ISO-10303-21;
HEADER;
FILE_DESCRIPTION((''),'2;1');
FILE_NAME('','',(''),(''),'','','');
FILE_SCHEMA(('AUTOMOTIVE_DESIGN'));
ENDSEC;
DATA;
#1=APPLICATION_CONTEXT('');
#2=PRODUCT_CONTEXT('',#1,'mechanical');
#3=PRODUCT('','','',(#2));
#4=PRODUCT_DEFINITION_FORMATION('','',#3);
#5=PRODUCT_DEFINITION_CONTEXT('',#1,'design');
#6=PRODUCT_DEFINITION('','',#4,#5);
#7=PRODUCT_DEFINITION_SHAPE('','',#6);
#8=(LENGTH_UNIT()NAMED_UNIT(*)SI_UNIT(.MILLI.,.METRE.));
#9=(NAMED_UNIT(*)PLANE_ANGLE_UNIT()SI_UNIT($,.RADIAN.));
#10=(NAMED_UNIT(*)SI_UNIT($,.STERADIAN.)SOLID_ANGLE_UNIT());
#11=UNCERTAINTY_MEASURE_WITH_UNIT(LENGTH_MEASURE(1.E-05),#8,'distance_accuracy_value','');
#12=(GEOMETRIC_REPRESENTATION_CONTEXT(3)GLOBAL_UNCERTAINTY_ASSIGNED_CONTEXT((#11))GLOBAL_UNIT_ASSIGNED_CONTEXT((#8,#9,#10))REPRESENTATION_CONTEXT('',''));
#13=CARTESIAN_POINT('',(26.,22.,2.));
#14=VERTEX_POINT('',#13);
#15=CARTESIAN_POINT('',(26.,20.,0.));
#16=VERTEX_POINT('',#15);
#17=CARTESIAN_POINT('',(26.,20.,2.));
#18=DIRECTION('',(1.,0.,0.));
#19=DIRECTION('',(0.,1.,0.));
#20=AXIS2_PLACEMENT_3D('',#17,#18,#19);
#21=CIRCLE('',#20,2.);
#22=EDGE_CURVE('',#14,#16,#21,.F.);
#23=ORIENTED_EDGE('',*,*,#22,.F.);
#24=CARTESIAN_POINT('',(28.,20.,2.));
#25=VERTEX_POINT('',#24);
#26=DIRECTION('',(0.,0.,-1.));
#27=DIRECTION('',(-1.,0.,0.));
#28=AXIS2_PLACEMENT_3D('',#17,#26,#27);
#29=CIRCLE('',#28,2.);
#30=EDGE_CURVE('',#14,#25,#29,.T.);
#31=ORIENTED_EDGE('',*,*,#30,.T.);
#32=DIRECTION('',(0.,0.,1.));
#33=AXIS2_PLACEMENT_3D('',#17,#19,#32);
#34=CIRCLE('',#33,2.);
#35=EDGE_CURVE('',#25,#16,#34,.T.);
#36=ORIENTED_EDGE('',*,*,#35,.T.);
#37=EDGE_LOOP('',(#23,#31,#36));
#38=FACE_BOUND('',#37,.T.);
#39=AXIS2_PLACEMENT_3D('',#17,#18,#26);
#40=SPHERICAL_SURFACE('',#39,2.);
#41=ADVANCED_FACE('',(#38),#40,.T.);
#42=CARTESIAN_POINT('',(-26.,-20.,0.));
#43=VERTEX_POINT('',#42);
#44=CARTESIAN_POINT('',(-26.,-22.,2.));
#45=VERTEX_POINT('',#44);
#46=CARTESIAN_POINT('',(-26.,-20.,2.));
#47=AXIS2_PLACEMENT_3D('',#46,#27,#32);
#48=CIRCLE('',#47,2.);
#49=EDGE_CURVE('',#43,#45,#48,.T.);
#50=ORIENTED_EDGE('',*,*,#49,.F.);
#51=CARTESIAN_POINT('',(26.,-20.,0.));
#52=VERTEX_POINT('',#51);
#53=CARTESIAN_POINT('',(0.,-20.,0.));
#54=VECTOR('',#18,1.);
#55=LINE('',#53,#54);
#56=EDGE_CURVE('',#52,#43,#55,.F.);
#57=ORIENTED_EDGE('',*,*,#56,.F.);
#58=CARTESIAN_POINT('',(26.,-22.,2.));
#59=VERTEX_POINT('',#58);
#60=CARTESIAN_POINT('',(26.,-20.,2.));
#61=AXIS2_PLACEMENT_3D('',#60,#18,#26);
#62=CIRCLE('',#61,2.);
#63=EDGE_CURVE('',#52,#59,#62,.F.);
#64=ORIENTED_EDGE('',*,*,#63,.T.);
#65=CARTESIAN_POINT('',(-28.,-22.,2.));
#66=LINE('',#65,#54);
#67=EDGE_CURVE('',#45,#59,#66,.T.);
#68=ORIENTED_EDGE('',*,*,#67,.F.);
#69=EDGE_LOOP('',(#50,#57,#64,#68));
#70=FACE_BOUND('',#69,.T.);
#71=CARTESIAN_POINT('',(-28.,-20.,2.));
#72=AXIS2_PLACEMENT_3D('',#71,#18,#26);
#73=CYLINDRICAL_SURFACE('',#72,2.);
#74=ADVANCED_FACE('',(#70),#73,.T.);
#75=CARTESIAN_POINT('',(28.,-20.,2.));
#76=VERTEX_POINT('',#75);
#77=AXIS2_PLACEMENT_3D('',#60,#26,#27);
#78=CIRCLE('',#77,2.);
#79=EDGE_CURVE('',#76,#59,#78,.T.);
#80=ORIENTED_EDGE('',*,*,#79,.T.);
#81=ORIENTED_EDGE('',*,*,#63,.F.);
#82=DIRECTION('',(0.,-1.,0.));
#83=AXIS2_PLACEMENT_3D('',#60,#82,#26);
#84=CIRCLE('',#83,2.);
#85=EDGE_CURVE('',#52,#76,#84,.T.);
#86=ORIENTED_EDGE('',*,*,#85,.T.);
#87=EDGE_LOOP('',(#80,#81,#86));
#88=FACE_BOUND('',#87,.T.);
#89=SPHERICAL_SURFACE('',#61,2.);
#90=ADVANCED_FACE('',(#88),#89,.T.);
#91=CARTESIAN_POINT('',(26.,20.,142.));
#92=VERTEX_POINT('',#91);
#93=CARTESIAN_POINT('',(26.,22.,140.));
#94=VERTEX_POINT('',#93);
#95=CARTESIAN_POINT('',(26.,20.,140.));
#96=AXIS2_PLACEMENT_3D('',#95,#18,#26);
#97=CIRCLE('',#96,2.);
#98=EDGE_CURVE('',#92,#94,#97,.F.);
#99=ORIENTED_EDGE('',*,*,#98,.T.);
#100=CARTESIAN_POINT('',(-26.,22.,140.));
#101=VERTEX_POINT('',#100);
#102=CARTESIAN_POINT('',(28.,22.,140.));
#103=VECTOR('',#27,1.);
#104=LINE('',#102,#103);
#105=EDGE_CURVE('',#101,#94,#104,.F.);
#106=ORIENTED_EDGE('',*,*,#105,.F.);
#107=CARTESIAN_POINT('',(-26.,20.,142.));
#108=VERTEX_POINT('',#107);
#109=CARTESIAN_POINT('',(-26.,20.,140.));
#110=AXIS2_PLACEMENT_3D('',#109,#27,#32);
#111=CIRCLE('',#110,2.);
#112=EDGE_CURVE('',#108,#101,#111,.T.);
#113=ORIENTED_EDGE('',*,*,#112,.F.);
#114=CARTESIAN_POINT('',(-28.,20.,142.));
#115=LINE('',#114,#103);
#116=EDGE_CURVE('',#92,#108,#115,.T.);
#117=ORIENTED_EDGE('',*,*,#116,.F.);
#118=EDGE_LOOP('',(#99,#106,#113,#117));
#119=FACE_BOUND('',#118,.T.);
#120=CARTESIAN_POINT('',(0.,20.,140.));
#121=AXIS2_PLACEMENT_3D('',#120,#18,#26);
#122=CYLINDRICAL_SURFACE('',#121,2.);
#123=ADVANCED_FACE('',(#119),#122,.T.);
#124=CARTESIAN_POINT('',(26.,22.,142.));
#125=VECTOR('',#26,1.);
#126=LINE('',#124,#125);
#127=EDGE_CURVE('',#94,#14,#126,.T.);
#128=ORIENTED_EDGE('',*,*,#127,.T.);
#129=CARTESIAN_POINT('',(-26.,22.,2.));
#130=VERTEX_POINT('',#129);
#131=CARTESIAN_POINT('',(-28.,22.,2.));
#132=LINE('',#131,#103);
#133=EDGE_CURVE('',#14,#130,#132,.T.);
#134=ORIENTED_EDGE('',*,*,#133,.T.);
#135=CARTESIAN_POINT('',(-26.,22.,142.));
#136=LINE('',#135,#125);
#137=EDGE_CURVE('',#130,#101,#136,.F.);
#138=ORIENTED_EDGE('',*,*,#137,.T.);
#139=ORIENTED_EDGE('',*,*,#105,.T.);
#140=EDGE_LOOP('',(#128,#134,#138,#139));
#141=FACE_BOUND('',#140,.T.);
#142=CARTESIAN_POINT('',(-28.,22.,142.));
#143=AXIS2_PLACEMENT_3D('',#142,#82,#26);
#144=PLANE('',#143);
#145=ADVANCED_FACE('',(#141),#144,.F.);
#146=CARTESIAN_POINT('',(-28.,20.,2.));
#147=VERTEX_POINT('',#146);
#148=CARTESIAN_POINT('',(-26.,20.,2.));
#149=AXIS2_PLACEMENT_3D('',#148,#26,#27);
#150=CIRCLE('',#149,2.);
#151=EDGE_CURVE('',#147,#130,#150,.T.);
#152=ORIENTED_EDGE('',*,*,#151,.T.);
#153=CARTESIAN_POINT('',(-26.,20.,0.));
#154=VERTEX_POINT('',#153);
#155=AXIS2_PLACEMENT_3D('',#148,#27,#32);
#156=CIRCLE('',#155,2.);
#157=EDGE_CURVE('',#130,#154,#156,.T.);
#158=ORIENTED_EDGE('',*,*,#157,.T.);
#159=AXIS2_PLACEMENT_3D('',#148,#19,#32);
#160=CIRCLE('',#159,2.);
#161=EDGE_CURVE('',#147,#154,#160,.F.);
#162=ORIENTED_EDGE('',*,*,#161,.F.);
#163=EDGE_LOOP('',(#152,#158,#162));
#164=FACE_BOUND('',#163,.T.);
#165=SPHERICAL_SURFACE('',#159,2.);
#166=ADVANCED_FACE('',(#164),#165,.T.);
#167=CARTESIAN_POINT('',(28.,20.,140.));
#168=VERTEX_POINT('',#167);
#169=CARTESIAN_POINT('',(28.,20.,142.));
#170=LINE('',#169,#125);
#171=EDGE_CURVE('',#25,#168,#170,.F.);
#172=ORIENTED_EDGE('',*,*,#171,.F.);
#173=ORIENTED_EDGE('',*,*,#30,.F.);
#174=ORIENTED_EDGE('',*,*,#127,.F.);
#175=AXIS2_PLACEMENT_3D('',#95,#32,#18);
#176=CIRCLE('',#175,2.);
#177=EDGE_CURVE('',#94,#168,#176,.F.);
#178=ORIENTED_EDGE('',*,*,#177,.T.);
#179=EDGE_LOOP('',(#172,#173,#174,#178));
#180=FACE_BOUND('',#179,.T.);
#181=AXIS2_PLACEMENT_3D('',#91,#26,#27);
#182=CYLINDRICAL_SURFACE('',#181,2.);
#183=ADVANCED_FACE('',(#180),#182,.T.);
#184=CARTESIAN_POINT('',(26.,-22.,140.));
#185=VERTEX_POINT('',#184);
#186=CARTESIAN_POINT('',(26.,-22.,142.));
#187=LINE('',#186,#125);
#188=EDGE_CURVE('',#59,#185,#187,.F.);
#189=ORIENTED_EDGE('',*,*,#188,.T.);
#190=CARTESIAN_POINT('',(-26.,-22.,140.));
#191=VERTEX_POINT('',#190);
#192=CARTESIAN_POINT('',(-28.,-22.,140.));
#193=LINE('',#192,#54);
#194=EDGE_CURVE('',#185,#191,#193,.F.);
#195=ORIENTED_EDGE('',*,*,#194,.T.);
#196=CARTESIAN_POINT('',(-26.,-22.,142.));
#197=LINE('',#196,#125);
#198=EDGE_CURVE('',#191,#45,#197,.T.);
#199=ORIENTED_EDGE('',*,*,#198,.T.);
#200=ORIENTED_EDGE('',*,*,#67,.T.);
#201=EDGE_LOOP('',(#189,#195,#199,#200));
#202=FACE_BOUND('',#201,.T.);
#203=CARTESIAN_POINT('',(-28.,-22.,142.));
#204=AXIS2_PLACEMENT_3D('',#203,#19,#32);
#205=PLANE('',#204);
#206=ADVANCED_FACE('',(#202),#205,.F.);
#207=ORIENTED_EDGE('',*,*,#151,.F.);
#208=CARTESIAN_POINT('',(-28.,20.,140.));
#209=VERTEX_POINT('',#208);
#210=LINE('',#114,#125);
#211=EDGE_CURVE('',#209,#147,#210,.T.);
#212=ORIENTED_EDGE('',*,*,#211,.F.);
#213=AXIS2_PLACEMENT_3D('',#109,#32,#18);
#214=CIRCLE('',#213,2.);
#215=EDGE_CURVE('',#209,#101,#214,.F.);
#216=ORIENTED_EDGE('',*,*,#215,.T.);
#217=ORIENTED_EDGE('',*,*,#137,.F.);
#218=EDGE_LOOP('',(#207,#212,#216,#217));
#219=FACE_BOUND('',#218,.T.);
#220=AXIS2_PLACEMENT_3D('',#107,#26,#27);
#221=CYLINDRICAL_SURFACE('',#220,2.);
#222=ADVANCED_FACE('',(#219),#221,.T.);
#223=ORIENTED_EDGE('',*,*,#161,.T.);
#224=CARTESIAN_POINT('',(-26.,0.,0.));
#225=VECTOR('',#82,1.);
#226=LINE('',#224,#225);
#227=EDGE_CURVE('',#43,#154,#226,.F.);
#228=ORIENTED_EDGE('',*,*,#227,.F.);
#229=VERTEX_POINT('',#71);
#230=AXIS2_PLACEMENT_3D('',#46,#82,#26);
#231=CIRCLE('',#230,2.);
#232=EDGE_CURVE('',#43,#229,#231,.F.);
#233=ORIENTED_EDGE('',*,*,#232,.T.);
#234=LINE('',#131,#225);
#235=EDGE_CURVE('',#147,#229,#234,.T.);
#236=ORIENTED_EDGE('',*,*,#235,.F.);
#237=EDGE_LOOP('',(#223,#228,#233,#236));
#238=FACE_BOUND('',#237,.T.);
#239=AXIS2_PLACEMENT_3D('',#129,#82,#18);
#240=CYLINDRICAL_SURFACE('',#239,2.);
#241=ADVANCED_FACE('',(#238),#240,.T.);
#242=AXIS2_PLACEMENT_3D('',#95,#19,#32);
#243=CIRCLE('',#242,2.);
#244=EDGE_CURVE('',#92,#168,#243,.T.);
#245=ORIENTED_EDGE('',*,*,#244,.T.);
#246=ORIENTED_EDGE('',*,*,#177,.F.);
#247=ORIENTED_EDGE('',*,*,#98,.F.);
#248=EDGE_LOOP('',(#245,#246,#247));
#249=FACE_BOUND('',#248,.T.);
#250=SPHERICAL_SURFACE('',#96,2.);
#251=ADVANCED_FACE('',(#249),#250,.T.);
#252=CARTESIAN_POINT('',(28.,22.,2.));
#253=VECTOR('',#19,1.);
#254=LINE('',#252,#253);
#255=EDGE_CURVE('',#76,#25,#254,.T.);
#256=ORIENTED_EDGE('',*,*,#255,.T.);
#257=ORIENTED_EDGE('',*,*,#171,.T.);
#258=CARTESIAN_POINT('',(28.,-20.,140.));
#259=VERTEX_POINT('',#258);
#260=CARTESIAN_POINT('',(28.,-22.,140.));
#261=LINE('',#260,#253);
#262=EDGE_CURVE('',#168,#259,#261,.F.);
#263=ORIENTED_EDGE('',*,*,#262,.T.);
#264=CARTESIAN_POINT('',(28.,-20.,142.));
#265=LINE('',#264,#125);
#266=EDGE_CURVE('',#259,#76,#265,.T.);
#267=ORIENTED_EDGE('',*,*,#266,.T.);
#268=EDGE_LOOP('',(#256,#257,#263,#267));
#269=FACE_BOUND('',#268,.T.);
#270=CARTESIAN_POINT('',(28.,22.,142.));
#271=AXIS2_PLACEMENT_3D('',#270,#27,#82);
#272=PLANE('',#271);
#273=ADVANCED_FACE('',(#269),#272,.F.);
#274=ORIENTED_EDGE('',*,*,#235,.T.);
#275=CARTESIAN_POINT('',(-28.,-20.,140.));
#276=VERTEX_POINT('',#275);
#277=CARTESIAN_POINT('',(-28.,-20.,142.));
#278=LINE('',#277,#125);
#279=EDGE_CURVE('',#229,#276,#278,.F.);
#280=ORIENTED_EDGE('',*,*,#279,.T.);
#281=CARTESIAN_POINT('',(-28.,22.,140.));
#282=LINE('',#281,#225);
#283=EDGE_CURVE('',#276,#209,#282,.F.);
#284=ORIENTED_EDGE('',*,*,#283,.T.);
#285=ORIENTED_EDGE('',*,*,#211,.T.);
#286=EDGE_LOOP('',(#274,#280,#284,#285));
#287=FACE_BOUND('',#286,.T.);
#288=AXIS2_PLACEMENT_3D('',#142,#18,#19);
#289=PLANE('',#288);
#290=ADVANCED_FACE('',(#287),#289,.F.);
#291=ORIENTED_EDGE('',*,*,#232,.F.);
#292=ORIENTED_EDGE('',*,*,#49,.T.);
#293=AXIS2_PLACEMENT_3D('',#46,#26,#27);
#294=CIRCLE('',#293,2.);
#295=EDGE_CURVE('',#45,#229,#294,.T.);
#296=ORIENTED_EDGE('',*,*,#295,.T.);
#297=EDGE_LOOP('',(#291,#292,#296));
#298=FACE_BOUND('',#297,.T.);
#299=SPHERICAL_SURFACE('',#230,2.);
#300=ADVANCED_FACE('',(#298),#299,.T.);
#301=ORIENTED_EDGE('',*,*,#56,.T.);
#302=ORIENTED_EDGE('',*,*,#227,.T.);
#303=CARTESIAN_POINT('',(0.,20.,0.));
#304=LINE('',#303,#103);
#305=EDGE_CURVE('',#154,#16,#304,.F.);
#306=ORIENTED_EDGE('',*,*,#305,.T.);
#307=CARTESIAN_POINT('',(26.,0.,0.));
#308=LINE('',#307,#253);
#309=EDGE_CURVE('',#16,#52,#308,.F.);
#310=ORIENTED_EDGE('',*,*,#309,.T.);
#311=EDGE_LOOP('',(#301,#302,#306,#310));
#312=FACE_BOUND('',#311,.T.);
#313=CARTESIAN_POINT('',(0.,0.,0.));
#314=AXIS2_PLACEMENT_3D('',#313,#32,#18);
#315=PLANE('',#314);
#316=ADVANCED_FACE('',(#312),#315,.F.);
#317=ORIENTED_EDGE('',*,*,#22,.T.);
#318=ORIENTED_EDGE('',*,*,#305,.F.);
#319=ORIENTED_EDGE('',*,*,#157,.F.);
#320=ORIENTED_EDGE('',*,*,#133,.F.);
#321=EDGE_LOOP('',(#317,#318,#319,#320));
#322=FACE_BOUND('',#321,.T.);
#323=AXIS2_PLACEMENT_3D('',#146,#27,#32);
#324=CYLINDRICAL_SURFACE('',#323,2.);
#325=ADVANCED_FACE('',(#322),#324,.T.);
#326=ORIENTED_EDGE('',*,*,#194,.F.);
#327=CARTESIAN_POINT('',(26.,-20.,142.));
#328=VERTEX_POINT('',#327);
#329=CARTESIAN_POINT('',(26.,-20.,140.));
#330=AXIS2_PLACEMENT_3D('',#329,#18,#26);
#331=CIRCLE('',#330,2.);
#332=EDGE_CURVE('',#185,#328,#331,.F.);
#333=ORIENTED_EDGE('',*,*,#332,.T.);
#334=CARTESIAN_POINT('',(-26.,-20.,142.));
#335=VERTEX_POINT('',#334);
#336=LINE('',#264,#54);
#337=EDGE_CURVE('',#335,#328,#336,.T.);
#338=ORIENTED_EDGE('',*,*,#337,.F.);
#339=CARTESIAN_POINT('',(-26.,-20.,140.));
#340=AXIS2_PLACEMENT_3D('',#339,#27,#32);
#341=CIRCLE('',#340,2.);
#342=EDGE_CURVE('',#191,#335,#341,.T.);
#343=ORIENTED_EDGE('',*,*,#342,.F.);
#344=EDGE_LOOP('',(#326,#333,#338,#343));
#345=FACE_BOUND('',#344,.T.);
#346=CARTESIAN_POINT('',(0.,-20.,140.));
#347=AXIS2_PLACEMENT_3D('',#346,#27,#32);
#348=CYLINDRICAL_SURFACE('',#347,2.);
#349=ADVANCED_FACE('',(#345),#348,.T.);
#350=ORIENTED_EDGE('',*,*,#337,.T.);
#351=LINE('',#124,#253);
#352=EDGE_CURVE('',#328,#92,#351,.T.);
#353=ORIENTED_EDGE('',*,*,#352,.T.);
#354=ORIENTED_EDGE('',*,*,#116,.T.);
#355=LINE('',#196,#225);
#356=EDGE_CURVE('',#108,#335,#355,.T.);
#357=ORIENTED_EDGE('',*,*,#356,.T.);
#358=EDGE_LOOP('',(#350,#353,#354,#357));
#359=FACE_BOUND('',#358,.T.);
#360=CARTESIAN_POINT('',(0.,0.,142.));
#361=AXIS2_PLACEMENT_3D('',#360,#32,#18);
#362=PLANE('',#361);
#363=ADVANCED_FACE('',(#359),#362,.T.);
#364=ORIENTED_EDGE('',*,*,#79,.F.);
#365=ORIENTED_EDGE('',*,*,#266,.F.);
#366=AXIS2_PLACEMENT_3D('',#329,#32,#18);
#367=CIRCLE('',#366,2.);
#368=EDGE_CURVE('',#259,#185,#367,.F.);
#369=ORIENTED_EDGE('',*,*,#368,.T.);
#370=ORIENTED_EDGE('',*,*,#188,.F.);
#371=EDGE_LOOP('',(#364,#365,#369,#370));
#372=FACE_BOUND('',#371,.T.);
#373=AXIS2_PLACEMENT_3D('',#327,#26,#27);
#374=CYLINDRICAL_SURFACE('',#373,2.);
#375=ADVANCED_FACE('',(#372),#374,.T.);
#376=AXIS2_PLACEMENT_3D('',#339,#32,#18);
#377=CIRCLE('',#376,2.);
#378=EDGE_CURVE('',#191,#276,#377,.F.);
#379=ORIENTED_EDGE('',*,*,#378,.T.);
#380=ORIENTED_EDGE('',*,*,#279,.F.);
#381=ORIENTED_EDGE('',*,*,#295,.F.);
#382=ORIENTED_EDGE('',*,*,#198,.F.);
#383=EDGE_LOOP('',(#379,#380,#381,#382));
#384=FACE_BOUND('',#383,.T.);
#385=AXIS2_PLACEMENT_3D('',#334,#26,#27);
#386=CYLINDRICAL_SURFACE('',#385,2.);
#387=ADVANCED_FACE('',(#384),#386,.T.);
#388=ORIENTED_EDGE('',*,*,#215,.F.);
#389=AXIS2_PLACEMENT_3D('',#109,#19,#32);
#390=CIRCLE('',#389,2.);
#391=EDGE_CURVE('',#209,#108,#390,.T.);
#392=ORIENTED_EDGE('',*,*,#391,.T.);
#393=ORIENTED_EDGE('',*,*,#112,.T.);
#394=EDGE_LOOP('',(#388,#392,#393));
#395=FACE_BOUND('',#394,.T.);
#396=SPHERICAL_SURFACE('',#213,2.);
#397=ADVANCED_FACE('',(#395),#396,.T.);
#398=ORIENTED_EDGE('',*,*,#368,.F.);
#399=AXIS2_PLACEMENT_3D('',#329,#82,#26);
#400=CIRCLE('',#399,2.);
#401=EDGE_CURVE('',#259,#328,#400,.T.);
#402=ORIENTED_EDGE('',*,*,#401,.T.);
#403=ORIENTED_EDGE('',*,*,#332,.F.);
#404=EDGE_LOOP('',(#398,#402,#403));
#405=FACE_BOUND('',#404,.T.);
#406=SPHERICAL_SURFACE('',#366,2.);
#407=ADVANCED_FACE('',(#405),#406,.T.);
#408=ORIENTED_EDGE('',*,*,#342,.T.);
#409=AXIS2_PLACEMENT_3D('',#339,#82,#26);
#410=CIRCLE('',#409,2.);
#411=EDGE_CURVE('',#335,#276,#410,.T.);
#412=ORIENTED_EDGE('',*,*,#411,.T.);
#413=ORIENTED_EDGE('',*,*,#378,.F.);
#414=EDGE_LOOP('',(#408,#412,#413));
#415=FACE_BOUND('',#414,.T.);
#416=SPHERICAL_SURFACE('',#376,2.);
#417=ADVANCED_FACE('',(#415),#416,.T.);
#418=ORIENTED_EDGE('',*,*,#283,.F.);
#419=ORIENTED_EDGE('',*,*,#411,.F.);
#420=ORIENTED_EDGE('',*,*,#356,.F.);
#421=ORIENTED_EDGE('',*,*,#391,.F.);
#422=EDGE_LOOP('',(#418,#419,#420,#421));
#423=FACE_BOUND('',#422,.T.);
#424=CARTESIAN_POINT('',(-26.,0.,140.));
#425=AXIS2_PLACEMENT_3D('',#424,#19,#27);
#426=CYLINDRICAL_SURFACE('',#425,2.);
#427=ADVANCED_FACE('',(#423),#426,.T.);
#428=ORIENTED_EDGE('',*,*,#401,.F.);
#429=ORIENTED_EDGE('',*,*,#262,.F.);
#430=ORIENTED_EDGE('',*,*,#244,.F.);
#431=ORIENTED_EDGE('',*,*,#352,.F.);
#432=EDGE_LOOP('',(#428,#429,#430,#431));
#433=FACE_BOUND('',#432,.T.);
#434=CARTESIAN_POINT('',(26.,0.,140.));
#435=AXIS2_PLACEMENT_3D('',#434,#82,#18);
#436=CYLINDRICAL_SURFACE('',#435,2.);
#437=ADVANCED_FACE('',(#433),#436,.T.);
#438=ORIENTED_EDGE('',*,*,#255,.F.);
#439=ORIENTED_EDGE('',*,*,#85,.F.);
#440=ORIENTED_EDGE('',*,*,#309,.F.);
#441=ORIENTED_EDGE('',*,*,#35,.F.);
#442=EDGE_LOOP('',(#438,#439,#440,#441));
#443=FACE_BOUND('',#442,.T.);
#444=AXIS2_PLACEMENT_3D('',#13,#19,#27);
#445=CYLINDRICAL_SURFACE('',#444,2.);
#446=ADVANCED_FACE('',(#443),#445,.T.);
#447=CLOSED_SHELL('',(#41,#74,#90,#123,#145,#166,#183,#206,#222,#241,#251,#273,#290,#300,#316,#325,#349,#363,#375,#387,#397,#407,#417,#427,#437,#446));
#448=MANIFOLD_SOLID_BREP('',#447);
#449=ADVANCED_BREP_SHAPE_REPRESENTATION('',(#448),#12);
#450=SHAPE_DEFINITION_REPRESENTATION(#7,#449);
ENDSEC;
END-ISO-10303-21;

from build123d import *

# Parameters (mm, degrees)
SKETCH_1_W      = 56
SKETCH_1_H      = 44
EXTRUDE_1_DEPTH = 142
FILLET_1_R      = 2


with BuildPart() as part:
    # 草图1 → 凸台-拉伸1 (new body)
    with BuildSketch(Plane.XY):
        Rectangle(SKETCH_1_W, SKETCH_1_H)
    extrude(amount=EXTRUDE_1_DEPTH)

    # 圆角1
    fillet_1_edges = [part.edges().sort_by_distance(p)[0] for p in [
        (-28, 0, 142),
        (0, -22, 142),
        (28, 0, 142),
        (0, -22, 0),
        (-28, 0, 0),
        (0, 22, 0),
        (28, 0, 0),
        (28, -22, 71),
        (-28, -22, 71),
        (-28, 22, 71),
        (28, 22, 71),
        (0, 22, 142),
    ]]
    fillet(fillet_1_edges, radius=FILLET_1_R)


solid = part.part
